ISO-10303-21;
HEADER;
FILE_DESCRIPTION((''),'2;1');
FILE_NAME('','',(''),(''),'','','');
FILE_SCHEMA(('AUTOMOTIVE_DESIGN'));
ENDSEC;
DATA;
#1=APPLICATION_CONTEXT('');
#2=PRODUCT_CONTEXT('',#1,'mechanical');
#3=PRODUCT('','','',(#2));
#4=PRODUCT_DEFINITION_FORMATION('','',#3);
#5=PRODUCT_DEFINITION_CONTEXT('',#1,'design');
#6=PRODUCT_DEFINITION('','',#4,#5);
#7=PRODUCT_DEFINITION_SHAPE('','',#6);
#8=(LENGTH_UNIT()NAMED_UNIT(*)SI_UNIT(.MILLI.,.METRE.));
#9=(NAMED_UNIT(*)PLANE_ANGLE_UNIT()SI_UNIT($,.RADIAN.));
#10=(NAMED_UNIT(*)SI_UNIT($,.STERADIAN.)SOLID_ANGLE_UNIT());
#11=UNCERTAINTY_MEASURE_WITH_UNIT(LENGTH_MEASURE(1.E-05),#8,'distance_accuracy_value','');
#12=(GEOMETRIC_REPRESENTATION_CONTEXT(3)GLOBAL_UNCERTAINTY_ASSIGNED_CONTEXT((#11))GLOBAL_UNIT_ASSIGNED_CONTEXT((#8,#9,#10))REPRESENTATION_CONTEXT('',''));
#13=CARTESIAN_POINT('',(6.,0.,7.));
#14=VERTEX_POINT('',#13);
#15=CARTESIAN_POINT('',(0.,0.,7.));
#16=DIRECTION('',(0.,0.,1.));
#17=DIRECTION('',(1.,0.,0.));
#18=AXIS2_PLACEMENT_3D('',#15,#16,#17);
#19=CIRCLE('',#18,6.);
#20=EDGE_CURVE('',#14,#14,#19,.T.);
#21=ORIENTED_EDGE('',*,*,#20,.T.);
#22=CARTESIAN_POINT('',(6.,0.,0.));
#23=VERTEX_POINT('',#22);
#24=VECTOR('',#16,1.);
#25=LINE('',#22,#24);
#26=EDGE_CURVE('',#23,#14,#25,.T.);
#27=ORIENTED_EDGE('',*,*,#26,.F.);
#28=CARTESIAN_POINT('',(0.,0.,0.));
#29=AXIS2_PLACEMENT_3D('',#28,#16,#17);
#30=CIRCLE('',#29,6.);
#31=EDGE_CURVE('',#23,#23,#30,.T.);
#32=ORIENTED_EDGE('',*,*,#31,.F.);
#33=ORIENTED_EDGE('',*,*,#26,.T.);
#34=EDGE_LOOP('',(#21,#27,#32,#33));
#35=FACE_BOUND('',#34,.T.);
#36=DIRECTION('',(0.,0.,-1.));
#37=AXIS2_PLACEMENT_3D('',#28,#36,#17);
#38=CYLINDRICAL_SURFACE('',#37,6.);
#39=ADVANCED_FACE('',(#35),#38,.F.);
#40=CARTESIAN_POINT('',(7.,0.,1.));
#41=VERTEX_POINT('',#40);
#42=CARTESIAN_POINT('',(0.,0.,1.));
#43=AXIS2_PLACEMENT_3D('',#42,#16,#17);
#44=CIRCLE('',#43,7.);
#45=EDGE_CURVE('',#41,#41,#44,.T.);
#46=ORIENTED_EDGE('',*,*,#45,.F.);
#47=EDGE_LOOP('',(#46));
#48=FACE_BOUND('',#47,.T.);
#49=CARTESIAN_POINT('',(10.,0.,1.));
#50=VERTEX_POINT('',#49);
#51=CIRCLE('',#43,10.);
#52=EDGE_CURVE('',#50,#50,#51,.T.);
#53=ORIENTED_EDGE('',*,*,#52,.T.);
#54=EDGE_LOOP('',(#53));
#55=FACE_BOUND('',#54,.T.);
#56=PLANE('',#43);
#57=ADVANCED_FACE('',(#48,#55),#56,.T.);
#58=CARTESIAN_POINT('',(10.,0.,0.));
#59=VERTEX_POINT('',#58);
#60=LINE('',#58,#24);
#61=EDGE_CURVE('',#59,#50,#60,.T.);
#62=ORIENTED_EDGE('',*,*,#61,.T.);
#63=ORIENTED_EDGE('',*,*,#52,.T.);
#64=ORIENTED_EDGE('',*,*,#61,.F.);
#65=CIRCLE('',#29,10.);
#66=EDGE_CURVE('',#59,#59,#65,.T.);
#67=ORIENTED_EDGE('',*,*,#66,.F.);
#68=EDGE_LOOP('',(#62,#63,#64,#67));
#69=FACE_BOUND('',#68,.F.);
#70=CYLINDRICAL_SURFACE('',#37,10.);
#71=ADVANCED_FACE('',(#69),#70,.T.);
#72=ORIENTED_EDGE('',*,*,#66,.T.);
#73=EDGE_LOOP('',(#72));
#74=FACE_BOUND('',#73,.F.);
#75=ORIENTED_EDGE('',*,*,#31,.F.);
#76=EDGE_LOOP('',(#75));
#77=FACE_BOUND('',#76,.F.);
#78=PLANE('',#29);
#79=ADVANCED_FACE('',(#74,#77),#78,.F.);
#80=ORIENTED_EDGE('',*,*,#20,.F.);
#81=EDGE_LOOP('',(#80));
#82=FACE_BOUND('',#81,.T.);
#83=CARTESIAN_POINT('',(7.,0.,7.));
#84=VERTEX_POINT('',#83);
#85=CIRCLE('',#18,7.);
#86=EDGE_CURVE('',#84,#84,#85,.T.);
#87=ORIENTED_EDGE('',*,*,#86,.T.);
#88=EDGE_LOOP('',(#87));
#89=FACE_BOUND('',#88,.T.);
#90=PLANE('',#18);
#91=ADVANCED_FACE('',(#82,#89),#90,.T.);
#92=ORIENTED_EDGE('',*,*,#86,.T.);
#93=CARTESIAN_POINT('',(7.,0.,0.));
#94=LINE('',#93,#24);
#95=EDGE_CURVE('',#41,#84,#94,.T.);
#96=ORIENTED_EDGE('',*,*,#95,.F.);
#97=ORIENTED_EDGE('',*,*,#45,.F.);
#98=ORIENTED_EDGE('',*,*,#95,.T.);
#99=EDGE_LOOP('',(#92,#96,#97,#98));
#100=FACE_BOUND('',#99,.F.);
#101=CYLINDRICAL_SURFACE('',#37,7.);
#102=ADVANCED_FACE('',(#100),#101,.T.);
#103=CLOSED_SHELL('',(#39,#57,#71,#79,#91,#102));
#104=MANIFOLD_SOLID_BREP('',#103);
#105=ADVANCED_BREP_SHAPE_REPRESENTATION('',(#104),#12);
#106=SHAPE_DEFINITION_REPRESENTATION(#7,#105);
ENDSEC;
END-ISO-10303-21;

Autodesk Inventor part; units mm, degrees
ref_plane "YZ Plane" through (0, 0, 0) normal (1, 0, 0) x (0, 1, 0)
ref_plane "XZ Plane" through (0, 0, 0) normal (0, 1, 0) x (-1, 0, 0)
ref_plane "XY Plane" through (0, 0, 0) normal (0, 0, 1) x (1, 0, 0)
sketch "スケッチ1" plane through (0, 0, 0) normal (0, 0, 1) x (1, 0, 0)
  circle A0 centre (0, 0) radius 6
  circle A1 centre (0, 0) radius 7
  circle A2 centre (0, 0) radius 10
  dimension "d0" = 12
  dimension "d1" = 14
  dimension "d2" = 20
extrude "押し出し1" add sketch "スケッチ1" along normal blind 1 contours A2
extrude "押し出し2" add sketch "スケッチ1" along normal blind 7 contours A1
properties part number "ドライメッシュw6f12-14a" material "真鍮、ソフト イエロー"
